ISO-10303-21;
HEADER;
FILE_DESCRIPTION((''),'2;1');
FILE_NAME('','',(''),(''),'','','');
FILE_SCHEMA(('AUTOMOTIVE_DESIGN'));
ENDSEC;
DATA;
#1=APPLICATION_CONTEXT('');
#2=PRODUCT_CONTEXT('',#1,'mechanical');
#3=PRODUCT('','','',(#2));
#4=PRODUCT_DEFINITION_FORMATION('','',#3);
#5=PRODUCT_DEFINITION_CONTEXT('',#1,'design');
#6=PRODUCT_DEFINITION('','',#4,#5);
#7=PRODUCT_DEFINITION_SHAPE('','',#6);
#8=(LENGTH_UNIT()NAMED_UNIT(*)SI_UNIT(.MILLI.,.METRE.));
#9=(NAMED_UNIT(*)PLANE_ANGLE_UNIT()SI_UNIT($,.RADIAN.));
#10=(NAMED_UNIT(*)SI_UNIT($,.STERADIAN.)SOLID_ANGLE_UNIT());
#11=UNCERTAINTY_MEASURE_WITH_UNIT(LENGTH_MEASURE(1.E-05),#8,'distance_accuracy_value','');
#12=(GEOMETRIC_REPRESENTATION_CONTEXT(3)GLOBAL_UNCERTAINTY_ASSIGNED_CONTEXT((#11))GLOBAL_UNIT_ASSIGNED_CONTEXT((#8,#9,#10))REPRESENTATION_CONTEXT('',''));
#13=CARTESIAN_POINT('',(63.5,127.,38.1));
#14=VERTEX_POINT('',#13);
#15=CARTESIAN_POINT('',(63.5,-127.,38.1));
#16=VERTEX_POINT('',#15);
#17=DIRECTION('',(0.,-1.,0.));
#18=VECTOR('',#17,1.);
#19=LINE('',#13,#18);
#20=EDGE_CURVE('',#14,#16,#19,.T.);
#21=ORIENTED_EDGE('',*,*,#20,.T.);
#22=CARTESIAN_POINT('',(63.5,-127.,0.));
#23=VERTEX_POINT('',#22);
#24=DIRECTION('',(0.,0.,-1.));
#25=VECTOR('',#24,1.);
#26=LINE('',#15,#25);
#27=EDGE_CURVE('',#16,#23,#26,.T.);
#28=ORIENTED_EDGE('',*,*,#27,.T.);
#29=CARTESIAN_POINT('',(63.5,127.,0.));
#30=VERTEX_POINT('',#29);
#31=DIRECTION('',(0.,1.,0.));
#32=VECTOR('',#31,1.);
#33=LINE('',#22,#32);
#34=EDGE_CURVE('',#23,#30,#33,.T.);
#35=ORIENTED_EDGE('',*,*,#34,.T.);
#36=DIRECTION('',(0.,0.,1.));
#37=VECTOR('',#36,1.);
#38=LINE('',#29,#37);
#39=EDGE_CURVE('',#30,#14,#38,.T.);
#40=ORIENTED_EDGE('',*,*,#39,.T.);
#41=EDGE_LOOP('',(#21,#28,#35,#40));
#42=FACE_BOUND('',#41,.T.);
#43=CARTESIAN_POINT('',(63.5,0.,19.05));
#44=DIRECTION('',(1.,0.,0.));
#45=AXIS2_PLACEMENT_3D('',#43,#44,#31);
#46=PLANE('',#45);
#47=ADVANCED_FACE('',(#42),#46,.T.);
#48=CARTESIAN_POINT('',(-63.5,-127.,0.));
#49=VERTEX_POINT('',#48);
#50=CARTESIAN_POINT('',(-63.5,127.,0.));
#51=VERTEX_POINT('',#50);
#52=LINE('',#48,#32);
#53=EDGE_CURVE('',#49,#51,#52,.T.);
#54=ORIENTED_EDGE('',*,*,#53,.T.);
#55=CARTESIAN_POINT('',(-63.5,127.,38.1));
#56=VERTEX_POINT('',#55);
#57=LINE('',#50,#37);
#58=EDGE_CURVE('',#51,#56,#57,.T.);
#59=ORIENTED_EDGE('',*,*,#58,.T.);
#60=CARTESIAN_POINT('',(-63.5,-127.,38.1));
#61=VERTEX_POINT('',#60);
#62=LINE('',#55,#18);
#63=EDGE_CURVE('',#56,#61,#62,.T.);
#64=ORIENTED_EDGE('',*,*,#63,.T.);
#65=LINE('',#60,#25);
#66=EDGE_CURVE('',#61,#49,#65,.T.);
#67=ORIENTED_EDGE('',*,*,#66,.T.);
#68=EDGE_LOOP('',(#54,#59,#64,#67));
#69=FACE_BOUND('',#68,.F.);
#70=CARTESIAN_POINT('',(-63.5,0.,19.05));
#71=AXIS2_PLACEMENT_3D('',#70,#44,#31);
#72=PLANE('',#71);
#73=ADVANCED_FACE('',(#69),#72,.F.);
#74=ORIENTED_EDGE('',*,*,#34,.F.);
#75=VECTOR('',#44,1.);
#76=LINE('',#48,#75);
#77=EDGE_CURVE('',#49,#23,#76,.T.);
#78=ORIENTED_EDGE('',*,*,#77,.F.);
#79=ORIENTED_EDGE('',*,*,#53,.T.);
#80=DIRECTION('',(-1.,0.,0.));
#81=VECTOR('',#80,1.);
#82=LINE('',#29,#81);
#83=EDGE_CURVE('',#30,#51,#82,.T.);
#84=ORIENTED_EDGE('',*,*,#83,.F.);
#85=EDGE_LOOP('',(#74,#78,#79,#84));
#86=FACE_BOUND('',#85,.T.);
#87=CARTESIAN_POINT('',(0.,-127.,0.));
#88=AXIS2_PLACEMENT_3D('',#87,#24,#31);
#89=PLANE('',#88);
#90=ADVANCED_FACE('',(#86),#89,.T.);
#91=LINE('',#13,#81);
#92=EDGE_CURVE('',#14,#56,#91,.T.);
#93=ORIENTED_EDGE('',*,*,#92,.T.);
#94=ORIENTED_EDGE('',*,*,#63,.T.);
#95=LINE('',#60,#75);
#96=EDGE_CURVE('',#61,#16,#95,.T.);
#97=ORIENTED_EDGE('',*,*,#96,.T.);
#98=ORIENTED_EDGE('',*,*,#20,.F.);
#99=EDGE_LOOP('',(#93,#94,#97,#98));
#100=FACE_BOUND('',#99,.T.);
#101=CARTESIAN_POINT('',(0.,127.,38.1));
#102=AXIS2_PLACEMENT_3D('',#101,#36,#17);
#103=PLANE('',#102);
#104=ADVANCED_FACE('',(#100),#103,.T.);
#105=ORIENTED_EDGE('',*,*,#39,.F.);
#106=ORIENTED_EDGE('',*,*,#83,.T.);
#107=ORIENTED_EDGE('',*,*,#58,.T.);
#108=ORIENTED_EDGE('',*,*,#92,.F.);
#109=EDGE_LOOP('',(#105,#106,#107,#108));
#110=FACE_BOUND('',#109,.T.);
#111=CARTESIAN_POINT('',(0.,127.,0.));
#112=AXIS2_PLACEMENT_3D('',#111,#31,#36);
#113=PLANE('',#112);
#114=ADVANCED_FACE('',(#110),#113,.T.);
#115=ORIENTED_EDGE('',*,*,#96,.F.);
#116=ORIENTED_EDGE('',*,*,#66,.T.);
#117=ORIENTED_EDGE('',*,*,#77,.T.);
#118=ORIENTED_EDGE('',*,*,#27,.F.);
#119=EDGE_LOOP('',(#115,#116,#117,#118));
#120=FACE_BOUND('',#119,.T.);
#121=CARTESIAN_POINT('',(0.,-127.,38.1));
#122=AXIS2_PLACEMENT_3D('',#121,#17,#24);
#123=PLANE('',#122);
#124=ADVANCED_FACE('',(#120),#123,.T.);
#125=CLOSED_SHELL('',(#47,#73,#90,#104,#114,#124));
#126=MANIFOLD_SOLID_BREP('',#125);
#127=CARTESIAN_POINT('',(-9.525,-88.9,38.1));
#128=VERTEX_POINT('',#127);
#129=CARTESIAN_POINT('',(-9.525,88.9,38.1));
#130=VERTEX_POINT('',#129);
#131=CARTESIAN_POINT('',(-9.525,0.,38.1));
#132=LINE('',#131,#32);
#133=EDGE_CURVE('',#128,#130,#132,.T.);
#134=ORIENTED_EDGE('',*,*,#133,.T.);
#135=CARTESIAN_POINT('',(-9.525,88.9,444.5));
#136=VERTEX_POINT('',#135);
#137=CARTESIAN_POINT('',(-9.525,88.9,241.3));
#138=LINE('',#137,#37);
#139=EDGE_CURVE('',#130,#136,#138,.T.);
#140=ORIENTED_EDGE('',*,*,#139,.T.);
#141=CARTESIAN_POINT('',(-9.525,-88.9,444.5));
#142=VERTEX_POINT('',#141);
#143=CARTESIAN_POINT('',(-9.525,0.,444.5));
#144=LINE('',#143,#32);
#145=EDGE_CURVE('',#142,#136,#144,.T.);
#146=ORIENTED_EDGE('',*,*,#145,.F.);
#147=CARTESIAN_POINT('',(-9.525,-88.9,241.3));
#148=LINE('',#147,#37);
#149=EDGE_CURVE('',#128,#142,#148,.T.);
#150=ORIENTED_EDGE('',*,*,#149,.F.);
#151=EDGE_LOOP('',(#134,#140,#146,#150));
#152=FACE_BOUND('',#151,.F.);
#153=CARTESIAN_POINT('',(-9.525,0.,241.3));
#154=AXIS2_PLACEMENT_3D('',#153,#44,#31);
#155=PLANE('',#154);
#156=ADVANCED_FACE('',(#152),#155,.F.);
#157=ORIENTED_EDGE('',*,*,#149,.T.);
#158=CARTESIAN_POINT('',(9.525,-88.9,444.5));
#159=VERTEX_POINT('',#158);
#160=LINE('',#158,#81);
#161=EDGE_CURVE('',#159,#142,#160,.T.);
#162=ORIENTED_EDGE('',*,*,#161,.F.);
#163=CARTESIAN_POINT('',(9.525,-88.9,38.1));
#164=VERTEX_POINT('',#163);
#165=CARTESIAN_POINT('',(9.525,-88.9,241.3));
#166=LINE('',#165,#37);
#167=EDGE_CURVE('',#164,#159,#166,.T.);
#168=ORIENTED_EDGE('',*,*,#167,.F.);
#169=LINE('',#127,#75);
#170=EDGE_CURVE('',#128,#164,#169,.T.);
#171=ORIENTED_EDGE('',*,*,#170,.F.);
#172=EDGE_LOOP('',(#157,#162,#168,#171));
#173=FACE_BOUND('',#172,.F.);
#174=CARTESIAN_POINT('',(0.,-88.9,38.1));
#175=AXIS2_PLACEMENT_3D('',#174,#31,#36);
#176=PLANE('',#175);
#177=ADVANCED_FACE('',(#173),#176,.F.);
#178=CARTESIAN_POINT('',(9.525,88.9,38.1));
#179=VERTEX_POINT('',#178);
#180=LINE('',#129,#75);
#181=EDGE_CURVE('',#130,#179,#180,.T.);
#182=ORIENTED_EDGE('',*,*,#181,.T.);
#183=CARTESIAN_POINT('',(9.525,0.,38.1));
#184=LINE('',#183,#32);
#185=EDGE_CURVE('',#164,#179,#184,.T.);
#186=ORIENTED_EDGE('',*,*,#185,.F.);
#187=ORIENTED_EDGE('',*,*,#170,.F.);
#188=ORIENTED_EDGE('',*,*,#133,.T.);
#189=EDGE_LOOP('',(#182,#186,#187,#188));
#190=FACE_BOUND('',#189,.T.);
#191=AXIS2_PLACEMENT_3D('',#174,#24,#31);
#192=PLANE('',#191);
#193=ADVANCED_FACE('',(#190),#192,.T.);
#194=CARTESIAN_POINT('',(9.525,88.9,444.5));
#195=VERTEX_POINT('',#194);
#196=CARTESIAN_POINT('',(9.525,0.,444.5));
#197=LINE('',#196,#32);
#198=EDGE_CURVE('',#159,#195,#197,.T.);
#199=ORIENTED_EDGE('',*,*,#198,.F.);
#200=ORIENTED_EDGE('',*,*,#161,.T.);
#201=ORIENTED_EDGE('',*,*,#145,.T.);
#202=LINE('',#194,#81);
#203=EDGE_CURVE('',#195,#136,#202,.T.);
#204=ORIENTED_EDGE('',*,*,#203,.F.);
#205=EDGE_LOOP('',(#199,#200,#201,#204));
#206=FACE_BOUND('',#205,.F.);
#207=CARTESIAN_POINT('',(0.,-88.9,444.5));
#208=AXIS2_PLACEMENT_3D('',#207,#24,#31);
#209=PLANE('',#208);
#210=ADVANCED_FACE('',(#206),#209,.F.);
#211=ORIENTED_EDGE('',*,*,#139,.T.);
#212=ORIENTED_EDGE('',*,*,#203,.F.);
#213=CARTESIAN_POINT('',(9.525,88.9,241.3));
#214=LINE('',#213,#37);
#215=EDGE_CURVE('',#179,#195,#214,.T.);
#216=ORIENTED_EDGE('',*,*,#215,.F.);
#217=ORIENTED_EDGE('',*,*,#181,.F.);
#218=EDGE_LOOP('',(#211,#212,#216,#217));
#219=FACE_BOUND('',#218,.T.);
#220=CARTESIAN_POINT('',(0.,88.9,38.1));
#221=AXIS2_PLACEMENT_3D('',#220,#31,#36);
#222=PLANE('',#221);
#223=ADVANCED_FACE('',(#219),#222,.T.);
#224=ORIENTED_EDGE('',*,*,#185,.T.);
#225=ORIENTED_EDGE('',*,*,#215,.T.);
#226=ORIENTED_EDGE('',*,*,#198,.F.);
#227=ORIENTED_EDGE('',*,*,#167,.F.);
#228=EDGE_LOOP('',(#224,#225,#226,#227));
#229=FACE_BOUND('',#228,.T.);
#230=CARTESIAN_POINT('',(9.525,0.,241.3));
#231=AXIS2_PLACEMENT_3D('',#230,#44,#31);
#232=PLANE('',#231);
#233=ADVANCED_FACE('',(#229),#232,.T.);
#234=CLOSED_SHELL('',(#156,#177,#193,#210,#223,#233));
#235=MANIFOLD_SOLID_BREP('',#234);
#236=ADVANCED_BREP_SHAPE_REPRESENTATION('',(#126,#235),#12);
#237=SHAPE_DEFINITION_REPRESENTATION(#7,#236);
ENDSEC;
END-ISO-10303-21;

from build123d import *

# Parameters (mm, degrees)
F0_W     = 177.8
F0_H     = 406.4
F0_W_2   = 76.2
F0_H_2   = 304.8
F1_DEPTH = 9.525
F2_DEPTH = 63.5


with BuildPart() as f1:
    # F0 (on Right) → F1 (new body, symmetric)
    with BuildSketch(Plane.YZ):
        with Locations((0, 241.3)):
            Rectangle(F0_W, F0_H)
        with Locations((0, 241.3)):
            Rectangle(F0_W_2, F0_H_2, mode=Mode.SUBTRACT)
        with Locations((0, 241.3)):
            Rectangle(F0_W_2, F0_H_2)
    extrude(amount=F1_DEPTH, both=True)


with BuildPart() as f2:
    # F0 (on Right) → F2 (new body, symmetric)
    with BuildSketch(Plane.YZ):
        Polygon((127, 38.1), (88.9, 38.1), (-88.9, 38.1), (-127, 38.1), (-127, 0), (127, 0), align=None)
    extrude(amount=F2_DEPTH, both=True)


solid = Compound([f1.part, f2.part])
